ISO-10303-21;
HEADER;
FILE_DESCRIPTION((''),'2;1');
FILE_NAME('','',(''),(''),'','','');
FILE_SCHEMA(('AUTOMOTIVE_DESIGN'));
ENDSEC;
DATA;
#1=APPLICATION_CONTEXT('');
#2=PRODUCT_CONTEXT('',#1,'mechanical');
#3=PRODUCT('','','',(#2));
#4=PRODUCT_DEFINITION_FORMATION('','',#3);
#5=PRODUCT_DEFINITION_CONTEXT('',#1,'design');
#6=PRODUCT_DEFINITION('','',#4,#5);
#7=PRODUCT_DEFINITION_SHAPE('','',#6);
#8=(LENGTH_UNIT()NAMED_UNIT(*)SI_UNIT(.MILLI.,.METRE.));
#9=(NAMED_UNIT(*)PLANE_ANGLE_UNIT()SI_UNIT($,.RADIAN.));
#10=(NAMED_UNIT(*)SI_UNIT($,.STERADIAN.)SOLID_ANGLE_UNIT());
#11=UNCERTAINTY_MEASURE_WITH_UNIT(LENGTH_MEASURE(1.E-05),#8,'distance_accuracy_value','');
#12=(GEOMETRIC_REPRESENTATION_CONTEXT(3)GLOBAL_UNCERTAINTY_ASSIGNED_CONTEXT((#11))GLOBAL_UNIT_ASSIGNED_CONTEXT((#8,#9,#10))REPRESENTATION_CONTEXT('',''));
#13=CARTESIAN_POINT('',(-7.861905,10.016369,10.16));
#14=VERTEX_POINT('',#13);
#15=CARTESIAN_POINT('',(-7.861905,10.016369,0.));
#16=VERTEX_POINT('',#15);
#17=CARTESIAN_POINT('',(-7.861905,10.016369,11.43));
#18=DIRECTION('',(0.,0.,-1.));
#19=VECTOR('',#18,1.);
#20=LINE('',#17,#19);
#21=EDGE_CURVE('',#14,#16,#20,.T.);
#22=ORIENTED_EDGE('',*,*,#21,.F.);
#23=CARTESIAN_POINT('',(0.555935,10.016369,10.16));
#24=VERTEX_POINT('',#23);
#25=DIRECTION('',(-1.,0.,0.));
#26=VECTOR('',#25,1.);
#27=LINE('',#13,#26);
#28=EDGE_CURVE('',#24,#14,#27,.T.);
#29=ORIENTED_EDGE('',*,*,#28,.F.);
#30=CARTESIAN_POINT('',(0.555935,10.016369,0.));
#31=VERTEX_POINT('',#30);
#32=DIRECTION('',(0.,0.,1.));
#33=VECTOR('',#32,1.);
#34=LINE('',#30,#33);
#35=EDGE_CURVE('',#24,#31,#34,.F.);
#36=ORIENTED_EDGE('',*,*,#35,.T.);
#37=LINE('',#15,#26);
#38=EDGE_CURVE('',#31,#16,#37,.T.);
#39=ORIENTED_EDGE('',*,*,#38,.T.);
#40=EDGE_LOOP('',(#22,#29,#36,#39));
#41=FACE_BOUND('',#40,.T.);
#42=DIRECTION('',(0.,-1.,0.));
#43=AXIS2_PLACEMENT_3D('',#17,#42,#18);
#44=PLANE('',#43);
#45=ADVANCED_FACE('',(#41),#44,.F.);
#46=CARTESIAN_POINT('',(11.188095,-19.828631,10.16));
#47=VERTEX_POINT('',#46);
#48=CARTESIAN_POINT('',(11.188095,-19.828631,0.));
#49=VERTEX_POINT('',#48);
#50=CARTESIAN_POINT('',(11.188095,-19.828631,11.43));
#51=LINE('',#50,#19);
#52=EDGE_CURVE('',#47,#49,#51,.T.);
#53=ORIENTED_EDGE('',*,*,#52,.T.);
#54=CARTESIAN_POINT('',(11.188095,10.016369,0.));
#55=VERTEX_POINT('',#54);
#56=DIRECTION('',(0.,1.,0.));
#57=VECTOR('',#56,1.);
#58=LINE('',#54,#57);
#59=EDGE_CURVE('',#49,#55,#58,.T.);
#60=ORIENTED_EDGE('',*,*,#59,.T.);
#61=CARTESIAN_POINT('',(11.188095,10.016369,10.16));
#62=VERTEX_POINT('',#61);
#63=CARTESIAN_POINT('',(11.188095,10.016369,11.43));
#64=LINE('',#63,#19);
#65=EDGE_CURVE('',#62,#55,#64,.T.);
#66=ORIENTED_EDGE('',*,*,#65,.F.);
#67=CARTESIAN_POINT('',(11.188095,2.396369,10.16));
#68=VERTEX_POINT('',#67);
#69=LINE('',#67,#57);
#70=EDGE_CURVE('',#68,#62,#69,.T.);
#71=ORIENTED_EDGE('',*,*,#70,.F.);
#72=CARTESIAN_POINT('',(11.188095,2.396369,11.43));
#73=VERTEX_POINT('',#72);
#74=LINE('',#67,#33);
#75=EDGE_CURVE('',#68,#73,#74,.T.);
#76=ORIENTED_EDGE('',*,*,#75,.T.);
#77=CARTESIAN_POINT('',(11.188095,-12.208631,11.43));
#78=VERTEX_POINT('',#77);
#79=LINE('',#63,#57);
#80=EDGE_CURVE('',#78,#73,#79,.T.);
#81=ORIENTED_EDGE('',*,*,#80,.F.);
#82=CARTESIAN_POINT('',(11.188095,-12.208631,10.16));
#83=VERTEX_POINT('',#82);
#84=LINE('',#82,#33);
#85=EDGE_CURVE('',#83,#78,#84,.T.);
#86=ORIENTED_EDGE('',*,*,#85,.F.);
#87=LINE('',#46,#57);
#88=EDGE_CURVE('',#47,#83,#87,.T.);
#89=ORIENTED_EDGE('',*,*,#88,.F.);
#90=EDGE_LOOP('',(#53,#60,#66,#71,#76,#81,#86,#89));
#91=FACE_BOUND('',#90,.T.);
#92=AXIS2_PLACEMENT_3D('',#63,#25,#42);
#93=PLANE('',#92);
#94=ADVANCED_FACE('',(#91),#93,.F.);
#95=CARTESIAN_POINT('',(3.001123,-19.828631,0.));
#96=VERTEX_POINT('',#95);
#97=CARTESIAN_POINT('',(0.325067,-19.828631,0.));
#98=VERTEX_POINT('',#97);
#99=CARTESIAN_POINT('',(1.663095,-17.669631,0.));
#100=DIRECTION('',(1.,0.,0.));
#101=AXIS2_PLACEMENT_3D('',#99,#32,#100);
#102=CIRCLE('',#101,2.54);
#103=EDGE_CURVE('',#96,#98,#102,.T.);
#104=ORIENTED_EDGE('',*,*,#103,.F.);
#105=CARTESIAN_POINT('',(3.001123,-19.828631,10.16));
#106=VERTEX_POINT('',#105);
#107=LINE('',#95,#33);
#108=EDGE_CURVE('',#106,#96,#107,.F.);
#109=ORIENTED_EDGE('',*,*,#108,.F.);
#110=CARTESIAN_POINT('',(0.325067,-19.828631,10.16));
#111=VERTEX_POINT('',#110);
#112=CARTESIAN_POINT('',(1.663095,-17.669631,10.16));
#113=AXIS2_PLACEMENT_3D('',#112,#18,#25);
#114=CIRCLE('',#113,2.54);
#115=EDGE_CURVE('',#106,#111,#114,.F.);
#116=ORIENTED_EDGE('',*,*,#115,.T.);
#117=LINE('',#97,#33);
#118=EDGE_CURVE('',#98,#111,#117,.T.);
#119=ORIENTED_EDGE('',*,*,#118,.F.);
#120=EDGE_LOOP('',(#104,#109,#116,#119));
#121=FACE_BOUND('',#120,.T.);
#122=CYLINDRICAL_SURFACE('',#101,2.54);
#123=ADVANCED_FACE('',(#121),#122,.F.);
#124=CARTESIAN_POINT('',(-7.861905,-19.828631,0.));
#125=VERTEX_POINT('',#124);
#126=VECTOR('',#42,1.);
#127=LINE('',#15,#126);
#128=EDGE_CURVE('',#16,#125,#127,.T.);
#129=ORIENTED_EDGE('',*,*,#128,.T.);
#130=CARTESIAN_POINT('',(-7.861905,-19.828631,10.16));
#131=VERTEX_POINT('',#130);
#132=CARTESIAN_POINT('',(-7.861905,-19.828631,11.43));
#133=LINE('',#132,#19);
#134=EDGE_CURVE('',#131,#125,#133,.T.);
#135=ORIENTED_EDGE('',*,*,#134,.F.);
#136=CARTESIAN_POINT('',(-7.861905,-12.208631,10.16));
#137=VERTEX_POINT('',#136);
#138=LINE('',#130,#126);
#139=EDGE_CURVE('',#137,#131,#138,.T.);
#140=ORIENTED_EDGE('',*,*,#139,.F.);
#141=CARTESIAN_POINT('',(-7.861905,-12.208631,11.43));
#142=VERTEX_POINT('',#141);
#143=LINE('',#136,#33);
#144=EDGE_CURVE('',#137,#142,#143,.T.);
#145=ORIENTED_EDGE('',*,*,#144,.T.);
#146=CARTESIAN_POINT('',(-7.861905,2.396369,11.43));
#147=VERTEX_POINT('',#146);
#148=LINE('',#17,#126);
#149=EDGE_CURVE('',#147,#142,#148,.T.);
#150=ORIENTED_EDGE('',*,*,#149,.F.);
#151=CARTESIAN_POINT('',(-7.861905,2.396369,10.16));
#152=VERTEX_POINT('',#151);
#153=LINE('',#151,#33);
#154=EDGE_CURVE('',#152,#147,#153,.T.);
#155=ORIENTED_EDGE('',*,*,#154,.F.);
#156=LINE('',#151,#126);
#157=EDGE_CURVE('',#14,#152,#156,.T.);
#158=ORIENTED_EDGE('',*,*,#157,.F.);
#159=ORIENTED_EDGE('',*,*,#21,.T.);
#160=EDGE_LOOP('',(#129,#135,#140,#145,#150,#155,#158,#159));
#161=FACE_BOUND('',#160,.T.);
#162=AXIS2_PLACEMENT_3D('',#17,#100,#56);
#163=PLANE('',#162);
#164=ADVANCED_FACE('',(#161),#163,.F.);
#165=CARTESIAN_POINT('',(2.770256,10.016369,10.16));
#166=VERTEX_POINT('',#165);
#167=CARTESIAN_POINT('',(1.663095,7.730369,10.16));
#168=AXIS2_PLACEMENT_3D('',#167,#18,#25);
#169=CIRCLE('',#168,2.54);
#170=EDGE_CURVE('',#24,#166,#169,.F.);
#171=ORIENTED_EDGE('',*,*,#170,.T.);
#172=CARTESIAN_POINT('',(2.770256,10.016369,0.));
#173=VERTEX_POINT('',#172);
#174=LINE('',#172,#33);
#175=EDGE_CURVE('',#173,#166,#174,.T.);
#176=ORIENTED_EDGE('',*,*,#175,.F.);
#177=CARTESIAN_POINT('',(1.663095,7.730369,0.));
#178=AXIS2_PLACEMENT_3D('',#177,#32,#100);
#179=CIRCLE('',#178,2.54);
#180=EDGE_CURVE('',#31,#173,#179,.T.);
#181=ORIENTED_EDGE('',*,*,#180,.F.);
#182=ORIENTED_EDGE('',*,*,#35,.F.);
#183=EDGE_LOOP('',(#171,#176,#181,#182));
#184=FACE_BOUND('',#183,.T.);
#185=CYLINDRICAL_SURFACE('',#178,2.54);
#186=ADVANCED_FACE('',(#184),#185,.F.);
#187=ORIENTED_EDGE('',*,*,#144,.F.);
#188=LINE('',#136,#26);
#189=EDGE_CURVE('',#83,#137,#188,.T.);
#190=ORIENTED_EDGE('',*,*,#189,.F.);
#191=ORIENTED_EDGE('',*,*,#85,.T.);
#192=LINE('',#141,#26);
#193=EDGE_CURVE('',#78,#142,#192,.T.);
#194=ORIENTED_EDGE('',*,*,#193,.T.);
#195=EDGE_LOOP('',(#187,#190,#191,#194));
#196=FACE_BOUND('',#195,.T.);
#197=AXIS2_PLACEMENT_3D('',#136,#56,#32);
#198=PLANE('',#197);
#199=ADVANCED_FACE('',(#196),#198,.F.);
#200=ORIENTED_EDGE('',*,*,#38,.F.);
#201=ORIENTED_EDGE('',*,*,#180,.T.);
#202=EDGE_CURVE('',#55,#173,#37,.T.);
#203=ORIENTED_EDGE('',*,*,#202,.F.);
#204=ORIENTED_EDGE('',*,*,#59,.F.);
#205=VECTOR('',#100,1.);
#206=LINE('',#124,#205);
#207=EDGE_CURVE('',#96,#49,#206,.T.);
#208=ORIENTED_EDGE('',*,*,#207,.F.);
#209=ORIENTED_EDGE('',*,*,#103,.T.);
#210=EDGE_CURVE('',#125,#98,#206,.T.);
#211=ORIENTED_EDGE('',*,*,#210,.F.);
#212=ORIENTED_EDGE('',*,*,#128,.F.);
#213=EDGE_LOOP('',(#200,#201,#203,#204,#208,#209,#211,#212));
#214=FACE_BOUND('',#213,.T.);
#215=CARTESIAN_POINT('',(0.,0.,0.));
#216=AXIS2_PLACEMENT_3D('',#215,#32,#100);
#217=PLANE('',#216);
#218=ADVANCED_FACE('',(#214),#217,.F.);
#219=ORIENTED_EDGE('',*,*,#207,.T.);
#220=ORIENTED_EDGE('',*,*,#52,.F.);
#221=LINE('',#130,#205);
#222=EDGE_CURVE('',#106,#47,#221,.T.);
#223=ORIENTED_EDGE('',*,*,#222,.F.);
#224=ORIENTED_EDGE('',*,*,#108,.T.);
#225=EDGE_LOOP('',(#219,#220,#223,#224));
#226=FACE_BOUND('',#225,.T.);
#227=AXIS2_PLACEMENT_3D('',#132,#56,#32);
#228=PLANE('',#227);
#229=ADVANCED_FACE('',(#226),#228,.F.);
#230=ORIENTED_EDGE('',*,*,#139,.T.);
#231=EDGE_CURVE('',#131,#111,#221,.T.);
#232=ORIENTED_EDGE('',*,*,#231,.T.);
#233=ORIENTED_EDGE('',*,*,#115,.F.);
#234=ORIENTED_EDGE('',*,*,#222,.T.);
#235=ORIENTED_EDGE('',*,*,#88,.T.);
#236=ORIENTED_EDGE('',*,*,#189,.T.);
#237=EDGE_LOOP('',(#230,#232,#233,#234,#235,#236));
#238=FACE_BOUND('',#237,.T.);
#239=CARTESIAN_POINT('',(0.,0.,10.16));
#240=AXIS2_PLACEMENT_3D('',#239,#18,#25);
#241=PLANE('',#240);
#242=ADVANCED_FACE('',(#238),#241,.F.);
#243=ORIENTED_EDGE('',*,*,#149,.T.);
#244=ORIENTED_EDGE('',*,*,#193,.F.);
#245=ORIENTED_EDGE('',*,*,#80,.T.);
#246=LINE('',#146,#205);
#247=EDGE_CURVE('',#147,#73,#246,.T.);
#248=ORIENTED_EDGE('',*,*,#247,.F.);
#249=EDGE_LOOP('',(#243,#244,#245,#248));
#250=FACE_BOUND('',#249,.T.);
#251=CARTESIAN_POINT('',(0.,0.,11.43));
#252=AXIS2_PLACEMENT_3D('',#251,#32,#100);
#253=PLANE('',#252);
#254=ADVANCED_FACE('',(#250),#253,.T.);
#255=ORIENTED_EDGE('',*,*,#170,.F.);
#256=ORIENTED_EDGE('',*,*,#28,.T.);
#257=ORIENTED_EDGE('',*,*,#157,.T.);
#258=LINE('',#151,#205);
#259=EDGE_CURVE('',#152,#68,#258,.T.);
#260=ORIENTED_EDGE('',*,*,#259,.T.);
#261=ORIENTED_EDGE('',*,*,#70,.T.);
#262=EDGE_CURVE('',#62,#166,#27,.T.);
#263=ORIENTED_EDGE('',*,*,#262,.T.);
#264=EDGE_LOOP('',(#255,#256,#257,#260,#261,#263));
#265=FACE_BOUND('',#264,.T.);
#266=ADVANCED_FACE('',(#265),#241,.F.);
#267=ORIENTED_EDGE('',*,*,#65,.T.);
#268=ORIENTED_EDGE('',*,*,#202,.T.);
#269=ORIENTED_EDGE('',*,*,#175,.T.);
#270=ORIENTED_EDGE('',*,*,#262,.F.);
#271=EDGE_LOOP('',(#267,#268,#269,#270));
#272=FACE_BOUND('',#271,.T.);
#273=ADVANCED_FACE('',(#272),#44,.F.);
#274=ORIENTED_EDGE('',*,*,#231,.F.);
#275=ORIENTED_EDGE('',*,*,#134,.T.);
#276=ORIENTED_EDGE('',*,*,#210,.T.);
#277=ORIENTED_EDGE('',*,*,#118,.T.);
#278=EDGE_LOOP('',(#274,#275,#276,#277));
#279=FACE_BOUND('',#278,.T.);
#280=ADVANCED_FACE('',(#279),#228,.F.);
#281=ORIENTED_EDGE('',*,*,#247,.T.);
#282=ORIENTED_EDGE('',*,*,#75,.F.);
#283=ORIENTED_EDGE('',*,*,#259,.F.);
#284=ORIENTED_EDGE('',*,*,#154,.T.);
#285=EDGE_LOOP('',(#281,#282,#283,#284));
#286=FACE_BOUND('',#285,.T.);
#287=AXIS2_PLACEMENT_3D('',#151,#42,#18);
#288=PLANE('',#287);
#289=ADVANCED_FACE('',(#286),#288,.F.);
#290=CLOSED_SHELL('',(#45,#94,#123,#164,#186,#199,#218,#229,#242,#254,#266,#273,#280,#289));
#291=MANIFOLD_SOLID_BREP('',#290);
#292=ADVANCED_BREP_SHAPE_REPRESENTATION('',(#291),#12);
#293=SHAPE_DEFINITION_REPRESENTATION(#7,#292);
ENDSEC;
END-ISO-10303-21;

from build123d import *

# Parameters (mm, degrees)
SKETCH1_W           = 19.05
SKETCH1_H           = 29.845
BOSS_EXTRUDE1_DEPTH = 11.43
SKETCH2_R           = 2.54
CUT_EXTRUDE1_DEPTH  = 11.43
SKETCH3_W           = 19.05
SKETCH3_H           = 7.62
CUT_EXTRUDE2_DEPTH  = 1.27


with BuildPart() as part:
    # Sketch1 → Boss-Extrude1 (new body)
    with BuildSketch(Plane.XY):
        with Locations((1.663095238, -4.906130952)):
            Rectangle(SKETCH1_W, SKETCH1_H)
    extrude(amount=BOSS_EXTRUDE1_DEPTH)

    # Sketch2 → Cut-Extrude1 (cut)
    with BuildSketch(Plane.XY.offset(11.43)):
        with Locations((1.663095238, 7.730369048)):
            Circle(SKETCH2_R)
        with Locations((1.663095238, -17.669630952)):
            Circle(SKETCH2_R)
    extrude(amount=-CUT_EXTRUDE1_DEPTH, mode=Mode.SUBTRACT)

    # Sketch3 → Cut-Extrude2 (cut)
    with BuildSketch(Plane.XY.offset(11.43)):
        with Locations((1.663095238, 6.206369048)):
            Rectangle(SKETCH3_W, SKETCH3_H)
        with Locations((1.663095238, -16.018630952)):
            Rectangle(SKETCH3_W, SKETCH3_H)
    extrude(amount=-CUT_EXTRUDE2_DEPTH, mode=Mode.SUBTRACT)


solid = part.part
